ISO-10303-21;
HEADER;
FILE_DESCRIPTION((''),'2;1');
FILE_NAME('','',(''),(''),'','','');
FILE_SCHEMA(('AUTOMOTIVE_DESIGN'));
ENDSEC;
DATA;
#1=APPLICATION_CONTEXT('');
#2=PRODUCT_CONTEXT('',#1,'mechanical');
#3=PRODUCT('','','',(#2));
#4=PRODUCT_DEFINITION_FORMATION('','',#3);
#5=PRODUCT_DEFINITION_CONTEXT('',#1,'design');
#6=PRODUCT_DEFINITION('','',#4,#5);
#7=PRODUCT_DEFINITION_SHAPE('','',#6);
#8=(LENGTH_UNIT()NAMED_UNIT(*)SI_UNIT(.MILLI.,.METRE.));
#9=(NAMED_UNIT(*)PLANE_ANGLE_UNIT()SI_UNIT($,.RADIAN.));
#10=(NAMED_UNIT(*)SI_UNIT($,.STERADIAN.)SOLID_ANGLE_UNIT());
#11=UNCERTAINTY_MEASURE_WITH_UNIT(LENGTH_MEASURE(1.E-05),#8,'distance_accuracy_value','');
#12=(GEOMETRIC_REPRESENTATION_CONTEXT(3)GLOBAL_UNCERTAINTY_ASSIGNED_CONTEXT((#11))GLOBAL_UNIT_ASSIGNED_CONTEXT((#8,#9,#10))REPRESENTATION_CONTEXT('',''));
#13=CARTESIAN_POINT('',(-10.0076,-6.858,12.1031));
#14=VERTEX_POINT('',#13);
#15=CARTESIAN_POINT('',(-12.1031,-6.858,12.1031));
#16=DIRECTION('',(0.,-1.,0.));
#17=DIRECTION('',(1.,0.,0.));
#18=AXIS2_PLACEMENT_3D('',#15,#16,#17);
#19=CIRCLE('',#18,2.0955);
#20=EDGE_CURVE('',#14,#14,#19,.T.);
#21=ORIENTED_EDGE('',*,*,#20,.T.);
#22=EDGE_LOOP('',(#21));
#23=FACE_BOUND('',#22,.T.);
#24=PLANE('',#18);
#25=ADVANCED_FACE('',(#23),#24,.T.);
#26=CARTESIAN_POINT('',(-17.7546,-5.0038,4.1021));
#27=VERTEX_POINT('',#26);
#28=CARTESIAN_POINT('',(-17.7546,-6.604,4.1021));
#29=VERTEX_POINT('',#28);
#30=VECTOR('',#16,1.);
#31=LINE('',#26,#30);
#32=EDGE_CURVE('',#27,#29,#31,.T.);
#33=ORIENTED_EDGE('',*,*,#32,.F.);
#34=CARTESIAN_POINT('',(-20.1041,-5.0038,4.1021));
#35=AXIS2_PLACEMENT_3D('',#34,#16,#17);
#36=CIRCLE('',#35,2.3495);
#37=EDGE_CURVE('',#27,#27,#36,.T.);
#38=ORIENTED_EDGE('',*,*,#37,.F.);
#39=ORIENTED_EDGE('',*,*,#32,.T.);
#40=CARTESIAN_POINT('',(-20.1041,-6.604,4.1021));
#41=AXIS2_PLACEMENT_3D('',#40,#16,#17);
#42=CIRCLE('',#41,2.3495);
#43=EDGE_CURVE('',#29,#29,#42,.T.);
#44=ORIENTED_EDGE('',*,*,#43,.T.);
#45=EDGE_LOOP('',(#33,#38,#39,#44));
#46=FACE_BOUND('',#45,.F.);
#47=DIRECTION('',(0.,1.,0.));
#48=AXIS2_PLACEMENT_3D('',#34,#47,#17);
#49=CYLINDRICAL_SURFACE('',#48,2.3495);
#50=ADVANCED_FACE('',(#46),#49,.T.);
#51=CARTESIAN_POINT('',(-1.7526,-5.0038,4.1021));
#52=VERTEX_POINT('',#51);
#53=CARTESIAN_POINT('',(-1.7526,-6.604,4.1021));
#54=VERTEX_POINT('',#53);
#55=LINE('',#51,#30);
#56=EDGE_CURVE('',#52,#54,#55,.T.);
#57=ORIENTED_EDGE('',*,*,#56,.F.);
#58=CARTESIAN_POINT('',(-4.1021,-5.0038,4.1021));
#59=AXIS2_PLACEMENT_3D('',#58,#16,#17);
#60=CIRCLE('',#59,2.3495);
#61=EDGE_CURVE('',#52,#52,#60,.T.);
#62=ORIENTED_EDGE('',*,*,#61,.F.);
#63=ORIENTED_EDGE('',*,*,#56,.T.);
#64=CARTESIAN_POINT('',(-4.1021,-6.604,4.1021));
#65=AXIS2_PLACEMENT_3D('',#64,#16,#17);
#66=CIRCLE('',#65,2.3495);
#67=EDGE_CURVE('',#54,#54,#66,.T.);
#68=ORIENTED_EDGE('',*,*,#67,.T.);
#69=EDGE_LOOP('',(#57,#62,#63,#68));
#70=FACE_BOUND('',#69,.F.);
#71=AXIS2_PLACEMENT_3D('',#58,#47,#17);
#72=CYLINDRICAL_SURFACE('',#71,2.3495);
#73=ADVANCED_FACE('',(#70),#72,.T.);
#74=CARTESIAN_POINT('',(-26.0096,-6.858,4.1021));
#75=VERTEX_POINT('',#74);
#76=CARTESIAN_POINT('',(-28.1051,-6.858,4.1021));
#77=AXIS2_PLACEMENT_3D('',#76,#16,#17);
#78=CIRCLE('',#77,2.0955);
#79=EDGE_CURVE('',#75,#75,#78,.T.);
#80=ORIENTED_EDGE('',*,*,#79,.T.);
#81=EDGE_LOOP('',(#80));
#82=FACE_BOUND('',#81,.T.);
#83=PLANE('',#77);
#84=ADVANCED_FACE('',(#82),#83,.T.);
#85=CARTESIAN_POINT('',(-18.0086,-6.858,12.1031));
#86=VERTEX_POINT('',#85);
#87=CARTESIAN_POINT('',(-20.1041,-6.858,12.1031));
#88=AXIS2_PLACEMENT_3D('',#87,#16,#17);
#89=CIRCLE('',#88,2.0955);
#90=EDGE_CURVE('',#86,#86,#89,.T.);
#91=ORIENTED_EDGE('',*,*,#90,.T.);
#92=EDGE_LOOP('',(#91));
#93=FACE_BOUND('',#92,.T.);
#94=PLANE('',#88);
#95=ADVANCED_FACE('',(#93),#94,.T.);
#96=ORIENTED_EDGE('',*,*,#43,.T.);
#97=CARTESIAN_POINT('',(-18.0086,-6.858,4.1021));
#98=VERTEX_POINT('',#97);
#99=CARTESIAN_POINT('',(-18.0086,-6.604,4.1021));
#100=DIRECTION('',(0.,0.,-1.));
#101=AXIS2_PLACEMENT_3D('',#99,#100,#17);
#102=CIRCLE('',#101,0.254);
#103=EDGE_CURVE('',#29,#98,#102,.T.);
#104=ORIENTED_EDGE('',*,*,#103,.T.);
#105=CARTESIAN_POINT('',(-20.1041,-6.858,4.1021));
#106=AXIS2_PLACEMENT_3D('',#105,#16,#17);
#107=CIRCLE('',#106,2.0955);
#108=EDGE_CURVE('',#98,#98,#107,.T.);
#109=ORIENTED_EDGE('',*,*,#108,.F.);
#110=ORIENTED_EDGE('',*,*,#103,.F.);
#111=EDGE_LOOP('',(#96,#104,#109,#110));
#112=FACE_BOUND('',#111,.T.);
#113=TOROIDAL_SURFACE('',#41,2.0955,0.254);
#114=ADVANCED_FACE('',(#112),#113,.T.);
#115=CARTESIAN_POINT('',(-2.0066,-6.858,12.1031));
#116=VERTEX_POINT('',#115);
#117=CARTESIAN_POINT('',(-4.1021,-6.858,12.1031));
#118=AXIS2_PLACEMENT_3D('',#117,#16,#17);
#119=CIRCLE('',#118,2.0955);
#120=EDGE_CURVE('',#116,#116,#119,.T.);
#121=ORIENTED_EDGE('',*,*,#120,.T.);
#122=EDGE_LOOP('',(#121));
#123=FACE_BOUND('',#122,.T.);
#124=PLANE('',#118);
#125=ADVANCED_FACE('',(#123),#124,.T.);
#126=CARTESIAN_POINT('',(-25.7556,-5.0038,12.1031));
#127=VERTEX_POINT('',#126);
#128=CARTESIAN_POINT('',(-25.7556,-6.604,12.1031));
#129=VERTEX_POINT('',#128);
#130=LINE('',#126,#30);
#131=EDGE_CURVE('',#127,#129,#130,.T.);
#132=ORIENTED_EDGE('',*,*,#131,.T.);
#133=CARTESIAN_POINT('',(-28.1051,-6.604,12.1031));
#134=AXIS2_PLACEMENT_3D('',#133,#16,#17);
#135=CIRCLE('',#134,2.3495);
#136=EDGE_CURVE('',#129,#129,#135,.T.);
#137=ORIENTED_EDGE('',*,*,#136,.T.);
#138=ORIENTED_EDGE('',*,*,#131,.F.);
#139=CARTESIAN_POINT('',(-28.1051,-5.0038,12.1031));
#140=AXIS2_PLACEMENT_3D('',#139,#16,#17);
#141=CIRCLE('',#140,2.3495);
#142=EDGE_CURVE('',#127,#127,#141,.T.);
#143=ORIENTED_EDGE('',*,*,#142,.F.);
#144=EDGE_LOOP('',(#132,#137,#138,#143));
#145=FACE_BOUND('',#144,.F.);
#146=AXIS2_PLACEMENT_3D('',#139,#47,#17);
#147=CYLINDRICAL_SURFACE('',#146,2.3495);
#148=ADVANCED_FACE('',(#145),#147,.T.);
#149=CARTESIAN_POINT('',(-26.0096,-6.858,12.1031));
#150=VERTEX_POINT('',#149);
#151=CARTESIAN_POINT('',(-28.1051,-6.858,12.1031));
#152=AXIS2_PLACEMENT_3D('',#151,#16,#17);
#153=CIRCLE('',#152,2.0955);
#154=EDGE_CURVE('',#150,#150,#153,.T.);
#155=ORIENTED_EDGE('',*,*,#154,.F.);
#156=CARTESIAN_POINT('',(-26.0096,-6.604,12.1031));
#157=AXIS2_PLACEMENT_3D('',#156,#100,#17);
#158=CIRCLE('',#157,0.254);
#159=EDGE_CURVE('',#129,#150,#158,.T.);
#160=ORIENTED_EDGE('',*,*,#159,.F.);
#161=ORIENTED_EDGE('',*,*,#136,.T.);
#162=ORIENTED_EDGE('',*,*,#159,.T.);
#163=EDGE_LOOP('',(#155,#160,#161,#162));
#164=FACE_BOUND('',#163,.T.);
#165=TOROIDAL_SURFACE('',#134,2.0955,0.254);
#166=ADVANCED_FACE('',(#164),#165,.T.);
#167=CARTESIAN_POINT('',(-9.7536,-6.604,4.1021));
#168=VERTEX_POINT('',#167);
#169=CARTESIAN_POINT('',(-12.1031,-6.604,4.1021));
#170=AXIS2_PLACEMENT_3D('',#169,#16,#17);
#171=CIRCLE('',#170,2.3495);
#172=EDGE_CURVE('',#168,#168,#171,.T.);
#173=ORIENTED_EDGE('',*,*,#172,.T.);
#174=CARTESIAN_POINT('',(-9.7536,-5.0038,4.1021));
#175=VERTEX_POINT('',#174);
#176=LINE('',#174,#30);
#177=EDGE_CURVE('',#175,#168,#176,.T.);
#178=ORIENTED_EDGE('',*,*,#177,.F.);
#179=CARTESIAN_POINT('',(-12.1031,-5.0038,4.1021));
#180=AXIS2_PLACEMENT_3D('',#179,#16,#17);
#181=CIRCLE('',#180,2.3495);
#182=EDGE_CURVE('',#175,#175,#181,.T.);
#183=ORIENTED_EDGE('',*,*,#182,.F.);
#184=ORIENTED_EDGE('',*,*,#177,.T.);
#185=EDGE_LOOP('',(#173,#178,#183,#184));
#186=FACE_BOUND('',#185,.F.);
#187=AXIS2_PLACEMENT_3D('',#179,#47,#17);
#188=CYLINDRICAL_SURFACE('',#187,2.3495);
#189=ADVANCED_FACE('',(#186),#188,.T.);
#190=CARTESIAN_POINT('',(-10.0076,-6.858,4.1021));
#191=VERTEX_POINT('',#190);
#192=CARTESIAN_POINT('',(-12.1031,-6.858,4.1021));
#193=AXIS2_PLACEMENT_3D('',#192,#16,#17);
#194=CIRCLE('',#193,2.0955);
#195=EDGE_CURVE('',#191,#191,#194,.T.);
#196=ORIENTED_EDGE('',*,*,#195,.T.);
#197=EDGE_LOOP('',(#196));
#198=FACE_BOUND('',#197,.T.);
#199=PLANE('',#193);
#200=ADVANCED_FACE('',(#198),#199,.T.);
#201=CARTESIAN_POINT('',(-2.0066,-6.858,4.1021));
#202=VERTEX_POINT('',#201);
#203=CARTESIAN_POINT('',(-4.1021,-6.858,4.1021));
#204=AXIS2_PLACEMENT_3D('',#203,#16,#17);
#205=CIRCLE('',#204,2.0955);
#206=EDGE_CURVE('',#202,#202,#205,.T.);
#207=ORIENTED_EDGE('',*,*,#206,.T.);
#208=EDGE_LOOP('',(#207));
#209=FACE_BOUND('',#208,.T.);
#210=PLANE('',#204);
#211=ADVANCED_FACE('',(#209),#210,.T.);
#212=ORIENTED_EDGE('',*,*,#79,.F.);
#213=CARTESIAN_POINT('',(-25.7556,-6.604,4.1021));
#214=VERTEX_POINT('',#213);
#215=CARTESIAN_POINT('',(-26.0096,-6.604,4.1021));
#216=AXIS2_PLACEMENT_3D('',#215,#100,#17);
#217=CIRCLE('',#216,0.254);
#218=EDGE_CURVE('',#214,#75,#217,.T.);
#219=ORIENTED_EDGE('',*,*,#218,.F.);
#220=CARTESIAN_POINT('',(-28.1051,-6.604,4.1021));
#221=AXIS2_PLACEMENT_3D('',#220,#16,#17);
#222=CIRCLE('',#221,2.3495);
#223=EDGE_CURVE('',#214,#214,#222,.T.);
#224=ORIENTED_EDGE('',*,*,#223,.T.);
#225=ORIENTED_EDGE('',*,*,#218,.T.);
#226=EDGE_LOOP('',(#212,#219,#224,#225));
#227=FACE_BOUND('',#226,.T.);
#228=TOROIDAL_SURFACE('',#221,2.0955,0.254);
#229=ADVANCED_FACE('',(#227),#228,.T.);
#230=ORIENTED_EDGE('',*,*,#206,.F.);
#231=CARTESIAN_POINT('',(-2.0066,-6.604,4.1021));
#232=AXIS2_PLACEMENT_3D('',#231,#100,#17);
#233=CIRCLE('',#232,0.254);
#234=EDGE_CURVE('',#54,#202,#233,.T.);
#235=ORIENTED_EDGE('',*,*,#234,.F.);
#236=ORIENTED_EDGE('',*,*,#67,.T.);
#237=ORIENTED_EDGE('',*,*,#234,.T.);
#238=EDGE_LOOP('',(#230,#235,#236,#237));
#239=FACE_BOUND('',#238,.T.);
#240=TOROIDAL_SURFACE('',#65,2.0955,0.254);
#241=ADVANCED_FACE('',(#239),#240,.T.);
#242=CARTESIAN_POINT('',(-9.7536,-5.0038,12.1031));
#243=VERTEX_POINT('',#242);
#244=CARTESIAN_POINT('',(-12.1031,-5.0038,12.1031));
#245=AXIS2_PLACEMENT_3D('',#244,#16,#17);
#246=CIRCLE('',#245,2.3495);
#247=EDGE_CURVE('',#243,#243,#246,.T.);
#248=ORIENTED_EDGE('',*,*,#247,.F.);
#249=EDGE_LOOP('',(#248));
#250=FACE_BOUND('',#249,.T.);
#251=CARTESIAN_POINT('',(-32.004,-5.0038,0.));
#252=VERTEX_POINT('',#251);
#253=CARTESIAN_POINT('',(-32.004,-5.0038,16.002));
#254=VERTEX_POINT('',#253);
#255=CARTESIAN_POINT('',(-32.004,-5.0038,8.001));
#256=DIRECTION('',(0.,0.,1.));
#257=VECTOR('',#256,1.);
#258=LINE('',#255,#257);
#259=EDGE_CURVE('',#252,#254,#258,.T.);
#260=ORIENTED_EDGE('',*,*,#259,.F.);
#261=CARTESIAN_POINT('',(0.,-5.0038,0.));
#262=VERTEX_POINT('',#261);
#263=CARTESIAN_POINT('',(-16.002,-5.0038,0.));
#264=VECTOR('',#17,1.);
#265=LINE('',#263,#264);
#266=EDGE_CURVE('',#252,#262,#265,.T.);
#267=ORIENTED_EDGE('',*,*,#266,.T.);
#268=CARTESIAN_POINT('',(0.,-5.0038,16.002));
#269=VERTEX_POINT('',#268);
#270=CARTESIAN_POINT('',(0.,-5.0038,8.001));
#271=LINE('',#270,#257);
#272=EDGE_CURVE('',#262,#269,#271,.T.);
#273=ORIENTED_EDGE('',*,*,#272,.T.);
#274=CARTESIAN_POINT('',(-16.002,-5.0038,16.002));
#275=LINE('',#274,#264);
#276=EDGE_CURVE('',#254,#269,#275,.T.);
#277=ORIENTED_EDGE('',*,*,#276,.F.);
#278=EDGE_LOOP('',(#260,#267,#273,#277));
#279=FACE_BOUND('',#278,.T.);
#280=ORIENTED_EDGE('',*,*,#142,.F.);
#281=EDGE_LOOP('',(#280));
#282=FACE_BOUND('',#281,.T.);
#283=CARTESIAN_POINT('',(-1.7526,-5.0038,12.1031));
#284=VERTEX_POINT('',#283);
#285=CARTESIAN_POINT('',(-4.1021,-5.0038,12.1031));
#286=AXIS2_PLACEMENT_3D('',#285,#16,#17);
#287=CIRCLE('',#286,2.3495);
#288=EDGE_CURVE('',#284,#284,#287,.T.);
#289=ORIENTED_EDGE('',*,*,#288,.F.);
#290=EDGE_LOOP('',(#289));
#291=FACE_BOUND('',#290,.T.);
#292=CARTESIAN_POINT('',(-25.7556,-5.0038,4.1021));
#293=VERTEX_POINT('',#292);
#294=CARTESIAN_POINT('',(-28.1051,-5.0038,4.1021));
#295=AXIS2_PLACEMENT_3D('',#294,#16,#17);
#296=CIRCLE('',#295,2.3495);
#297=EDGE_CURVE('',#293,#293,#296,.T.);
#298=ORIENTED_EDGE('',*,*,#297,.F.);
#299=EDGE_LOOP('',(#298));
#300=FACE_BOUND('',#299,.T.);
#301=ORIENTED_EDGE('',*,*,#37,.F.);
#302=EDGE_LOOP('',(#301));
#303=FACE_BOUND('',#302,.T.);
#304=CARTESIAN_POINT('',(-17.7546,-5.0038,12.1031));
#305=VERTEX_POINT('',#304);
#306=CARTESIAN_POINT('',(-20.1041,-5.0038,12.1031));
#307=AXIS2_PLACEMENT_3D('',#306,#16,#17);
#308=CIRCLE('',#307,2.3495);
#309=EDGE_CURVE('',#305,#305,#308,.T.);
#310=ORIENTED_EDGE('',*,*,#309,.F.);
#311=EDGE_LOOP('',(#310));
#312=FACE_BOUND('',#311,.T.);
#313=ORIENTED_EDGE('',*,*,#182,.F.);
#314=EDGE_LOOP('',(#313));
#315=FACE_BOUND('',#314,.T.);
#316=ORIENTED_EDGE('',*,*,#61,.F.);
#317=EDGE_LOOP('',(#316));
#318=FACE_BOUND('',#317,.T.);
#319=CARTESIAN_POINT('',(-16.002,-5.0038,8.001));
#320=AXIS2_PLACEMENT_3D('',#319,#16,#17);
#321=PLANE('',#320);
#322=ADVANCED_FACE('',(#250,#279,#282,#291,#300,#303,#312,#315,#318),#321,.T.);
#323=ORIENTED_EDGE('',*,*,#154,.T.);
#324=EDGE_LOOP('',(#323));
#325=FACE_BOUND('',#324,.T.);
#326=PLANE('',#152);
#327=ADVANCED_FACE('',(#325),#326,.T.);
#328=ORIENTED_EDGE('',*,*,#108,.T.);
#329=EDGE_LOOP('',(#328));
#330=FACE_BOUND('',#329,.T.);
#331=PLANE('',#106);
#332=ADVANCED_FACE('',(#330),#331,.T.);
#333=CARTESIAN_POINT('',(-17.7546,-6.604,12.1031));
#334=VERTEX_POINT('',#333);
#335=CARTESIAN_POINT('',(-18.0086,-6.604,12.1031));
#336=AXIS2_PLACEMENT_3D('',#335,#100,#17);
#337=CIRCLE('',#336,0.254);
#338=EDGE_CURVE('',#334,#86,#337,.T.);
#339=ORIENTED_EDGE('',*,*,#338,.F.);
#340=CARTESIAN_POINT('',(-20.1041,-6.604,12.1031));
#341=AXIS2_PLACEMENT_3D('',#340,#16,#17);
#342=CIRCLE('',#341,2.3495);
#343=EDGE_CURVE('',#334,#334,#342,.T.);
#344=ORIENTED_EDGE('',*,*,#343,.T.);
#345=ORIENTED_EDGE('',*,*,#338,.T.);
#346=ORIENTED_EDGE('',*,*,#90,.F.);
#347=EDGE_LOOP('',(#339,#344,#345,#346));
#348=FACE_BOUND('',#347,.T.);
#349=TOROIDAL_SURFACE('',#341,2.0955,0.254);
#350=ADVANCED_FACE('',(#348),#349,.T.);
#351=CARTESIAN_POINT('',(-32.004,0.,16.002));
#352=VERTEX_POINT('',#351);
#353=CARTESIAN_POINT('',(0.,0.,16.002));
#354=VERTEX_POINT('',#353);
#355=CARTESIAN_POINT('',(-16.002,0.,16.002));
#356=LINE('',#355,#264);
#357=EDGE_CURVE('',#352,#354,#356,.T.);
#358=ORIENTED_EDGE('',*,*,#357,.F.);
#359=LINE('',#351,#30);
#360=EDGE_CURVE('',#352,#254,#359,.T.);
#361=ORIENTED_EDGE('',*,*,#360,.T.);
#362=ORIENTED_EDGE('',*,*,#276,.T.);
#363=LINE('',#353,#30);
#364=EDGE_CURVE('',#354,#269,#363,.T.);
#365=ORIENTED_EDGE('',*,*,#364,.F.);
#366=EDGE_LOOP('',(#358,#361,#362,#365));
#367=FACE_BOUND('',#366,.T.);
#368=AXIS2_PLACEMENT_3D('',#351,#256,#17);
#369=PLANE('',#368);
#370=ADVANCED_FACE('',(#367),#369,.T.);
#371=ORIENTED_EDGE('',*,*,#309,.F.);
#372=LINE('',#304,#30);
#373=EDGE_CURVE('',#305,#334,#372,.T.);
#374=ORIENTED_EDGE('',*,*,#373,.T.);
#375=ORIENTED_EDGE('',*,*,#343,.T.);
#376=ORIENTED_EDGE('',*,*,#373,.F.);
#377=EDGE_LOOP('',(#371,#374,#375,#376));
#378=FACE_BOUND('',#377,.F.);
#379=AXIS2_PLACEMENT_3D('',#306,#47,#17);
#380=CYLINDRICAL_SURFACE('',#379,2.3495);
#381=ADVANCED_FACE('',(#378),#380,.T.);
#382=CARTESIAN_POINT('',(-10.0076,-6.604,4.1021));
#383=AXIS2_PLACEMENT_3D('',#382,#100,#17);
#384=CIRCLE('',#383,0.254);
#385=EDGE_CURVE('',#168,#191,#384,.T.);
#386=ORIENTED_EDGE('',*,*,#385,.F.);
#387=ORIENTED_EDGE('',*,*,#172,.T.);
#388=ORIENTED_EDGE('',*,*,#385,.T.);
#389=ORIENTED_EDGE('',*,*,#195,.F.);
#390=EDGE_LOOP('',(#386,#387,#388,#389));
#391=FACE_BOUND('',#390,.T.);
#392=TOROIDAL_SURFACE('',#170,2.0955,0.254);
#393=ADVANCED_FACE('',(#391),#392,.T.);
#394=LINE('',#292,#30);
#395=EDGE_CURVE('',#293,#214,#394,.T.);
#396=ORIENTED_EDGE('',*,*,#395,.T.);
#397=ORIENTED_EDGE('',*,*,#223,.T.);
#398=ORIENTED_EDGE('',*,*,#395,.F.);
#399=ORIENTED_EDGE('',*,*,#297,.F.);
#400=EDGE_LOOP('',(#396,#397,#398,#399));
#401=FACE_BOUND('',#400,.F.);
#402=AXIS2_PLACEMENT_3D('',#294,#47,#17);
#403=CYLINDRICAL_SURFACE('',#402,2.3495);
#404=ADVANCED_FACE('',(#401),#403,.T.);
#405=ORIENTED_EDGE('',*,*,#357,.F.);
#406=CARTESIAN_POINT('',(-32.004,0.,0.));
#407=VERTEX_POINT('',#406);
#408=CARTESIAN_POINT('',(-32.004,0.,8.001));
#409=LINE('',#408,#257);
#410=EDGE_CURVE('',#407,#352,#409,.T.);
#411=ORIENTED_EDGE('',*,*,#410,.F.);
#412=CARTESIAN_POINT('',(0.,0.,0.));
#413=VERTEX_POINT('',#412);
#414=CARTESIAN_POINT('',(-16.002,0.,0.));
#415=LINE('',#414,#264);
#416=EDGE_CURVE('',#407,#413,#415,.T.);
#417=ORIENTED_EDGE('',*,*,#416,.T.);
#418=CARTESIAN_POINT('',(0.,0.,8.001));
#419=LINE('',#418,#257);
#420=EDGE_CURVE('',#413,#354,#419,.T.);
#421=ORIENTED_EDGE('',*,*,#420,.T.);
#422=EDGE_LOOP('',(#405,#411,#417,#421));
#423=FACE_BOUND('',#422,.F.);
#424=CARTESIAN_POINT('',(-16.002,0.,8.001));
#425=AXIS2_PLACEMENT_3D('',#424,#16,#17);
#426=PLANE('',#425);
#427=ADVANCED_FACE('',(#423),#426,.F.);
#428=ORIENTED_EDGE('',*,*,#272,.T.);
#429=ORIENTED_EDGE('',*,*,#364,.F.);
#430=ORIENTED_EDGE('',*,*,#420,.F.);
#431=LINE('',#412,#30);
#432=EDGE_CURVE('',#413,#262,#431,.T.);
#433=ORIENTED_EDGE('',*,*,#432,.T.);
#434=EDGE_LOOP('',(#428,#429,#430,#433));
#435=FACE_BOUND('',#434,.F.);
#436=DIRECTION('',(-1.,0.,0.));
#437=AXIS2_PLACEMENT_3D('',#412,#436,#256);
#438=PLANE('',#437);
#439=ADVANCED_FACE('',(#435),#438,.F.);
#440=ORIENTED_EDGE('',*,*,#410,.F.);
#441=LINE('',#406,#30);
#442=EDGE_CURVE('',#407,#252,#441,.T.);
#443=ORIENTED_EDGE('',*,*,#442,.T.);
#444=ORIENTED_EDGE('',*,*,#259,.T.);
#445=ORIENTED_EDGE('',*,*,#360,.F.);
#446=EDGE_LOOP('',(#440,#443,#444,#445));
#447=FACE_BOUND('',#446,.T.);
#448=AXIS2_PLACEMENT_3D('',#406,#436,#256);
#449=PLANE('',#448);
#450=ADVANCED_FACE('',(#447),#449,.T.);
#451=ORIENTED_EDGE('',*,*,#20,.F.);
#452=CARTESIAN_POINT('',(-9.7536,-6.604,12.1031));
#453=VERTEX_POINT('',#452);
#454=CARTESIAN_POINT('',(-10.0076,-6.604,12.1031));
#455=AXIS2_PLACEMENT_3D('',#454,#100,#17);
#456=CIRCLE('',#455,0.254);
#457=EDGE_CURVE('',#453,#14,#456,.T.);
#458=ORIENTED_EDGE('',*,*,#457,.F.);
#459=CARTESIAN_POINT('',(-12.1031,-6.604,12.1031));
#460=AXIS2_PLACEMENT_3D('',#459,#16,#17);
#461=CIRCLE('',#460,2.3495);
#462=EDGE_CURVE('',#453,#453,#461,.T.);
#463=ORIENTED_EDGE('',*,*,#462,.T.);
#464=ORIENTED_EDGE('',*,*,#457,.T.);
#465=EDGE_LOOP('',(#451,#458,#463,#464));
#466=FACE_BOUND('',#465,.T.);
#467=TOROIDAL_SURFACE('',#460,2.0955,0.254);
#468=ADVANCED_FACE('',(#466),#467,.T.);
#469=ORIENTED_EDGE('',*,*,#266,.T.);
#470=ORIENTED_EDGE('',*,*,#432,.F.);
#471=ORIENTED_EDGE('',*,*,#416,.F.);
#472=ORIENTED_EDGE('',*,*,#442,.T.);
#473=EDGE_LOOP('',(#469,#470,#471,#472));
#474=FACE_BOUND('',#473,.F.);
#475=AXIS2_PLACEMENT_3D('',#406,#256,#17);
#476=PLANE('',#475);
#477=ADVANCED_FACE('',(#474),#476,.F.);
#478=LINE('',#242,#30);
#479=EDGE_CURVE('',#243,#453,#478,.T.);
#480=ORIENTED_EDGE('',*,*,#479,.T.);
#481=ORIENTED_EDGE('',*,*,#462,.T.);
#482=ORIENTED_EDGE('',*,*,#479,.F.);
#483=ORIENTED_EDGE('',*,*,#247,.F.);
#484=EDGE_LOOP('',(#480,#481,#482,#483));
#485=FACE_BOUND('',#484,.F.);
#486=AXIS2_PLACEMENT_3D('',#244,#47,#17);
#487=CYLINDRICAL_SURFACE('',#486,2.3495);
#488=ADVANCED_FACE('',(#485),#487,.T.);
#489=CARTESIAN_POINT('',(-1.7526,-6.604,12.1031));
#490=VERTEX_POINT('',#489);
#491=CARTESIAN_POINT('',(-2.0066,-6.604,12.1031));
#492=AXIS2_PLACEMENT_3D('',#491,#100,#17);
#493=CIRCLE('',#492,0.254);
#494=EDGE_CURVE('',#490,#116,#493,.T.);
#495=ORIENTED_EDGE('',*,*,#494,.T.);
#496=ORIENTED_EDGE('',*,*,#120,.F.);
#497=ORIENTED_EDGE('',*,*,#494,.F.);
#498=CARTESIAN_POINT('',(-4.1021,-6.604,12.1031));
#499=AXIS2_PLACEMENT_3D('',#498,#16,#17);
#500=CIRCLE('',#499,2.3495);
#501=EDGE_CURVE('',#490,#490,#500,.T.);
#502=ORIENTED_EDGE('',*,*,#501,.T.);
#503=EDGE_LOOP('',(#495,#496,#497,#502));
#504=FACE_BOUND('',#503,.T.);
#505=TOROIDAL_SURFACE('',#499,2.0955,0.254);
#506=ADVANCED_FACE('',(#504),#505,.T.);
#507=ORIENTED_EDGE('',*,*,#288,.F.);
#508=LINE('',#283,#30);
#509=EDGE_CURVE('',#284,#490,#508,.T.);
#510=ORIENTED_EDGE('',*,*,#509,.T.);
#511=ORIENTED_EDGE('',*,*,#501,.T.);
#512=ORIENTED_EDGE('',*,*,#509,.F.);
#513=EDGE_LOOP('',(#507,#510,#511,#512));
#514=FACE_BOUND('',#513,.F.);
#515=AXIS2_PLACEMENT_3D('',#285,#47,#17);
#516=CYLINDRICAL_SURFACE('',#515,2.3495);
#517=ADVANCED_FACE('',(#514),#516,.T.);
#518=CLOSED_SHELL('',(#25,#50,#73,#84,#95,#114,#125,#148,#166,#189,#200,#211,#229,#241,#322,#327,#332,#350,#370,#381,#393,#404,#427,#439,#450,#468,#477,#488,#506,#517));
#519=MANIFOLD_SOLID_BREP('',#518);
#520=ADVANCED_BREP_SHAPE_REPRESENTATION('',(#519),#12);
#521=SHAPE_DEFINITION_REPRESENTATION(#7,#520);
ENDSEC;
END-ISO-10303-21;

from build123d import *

# Parameters (mm, degrees)
F0_W     = 32.004
F0_H     = 16.002
F1_DEPTH = 5.0038
F2_R     = 2.3495
F3_DEPTH = 1.8542
F4_R     = 0.254


with BuildPart() as f1:
    # F0 (on Front) → F1 (new body)
    with BuildSketch(Plane.XZ):
        with Locations((-16.002, 8.001)):
            Rectangle(F0_W, F0_H)
    extrude(amount=F1_DEPTH)

    # F2 (on face) → F3 (join)
    with BuildSketch(Plane.XZ.offset(5.0038)):
        with Locations((-28.1051, 12.1031)):
            Circle(F2_R)
        with Locations((-20.1041, 12.1031)):
            Circle(F2_R)
        with Locations((-12.1031, 12.1031)):
            Circle(F2_R)
        with Locations((-4.1021, 12.1031)):
            Circle(F2_R)
        with Locations((-28.1051, 4.1021)):
            Circle(F2_R)
        with Locations((-20.1041, 4.1021)):
            Circle(F2_R)
        with Locations((-12.1031, 4.1021)):
            Circle(F2_R)
        with Locations((-4.1021, 4.1021)):
            Circle(F2_R)
    extrude(amount=F3_DEPTH)

    # F4
    f4_edges = [f1.edges().sort_by_distance(p)[0] for p in [
        (-30.4546, -6.858, 12.1031),
        (-22.4536, -6.858, 12.1031),
        (-14.4526, -6.858, 12.1031),
        (-6.4516, -6.858, 12.1031),
        (-30.4546, -6.858, 4.1021),
        (-22.4536, -6.858, 4.1021),
        (-14.4526, -6.858, 4.1021),
        (-6.4516, -6.858, 4.1021),
    ]]
    fillet(f4_edges, radius=F4_R)


solid = f1.part
